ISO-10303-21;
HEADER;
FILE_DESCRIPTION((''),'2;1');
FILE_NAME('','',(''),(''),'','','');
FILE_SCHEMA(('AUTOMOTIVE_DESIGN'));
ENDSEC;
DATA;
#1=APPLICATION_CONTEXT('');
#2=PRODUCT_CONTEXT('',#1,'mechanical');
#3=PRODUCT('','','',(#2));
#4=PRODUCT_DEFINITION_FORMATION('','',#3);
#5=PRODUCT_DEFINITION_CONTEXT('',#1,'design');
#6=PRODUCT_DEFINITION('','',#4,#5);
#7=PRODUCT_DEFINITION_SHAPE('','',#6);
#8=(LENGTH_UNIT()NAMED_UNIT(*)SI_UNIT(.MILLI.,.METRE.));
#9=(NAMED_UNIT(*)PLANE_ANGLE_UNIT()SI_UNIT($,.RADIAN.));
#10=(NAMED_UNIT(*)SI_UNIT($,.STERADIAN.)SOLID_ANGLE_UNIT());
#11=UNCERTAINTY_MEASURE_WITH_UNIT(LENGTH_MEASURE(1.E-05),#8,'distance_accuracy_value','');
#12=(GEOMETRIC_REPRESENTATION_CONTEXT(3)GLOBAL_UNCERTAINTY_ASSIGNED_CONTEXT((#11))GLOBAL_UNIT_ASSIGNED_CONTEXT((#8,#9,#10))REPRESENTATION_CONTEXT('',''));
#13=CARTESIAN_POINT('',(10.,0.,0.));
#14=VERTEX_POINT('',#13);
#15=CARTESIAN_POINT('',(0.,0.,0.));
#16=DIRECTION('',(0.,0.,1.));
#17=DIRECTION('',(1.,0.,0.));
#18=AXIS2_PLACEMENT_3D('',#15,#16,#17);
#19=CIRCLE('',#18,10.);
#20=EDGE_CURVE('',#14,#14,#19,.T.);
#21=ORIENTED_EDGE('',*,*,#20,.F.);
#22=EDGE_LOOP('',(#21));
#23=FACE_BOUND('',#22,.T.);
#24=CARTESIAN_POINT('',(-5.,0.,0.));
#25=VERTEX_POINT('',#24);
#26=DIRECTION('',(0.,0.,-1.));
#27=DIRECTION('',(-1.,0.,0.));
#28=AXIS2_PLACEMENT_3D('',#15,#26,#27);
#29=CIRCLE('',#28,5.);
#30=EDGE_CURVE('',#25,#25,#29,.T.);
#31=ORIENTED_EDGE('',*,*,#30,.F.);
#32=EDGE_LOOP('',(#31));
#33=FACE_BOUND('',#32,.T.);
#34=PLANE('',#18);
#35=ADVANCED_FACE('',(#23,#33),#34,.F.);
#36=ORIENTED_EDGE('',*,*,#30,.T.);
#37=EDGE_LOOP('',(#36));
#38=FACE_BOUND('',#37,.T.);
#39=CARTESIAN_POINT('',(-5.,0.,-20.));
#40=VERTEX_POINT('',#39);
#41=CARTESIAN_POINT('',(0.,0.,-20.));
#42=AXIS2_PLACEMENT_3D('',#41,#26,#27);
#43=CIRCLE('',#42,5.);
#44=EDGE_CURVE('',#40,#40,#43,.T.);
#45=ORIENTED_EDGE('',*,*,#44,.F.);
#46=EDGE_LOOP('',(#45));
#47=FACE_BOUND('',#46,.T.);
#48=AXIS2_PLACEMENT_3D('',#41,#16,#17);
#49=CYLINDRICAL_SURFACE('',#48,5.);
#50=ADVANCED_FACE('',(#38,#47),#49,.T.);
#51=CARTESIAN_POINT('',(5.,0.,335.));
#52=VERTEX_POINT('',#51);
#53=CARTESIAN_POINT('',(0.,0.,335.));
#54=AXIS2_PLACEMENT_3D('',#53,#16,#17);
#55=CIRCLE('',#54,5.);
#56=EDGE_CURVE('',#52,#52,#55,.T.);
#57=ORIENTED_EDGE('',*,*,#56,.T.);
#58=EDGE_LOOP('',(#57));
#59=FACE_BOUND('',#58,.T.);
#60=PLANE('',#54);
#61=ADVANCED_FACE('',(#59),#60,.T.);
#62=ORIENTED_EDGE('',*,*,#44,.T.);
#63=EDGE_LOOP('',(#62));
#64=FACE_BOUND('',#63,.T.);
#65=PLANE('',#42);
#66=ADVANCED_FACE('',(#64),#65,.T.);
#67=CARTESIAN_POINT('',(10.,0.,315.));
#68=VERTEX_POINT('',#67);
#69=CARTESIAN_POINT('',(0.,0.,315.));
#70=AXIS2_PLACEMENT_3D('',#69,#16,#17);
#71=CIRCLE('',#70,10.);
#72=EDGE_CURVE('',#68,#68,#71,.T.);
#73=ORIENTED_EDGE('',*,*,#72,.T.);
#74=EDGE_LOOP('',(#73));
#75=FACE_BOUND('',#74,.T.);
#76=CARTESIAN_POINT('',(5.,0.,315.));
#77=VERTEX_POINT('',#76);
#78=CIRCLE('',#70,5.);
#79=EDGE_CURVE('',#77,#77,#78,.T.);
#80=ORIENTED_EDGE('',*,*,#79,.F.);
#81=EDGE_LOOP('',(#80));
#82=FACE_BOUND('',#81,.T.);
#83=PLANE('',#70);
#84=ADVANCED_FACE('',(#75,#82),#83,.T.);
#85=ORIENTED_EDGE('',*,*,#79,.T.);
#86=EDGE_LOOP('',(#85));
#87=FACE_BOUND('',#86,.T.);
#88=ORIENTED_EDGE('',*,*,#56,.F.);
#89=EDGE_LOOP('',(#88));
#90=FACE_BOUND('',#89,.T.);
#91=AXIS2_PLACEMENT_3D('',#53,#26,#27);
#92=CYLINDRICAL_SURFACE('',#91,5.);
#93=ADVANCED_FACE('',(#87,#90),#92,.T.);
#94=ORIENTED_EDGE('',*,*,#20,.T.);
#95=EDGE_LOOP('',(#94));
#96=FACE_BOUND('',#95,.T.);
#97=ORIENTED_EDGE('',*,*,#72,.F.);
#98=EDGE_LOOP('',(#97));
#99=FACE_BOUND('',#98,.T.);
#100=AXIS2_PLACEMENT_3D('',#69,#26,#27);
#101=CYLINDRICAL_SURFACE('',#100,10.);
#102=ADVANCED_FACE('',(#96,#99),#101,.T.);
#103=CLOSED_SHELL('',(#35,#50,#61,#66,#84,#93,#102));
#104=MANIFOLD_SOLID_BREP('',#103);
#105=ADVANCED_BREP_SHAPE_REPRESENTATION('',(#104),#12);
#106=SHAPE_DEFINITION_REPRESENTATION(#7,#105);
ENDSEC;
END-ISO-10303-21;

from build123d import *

# Parameters (mm, degrees)
SKETCH1_R           = 10
BOSS_EXTRUDE1_DEPTH = 315
SKETCH2_R           = 5
BOSS_EXTRUDE2_DEPTH = 20
SKETCH3_R           = 5
BOSS_EXTRUDE3_DEPTH = 20


with BuildPart() as part:
    # Sketch1 → Boss-Extrude1 (new body)
    with BuildSketch(Plane.XY):
        Circle(SKETCH1_R)
    extrude(amount=BOSS_EXTRUDE1_DEPTH)

    # Sketch2 → Boss-Extrude2 (add)
    with BuildSketch(Plane.XY.offset(315)):
        Circle(SKETCH2_R)
    extrude(amount=BOSS_EXTRUDE2_DEPTH)

    # Sketch3 → Boss-Extrude3 (add)
    with BuildSketch(Plane(origin=(0, 0, 0), x_dir=(-1, 0, 0), z_dir=(0, 0, -1))):
        Circle(SKETCH3_R)
    extrude(amount=BOSS_EXTRUDE3_DEPTH)


solid = part.part
